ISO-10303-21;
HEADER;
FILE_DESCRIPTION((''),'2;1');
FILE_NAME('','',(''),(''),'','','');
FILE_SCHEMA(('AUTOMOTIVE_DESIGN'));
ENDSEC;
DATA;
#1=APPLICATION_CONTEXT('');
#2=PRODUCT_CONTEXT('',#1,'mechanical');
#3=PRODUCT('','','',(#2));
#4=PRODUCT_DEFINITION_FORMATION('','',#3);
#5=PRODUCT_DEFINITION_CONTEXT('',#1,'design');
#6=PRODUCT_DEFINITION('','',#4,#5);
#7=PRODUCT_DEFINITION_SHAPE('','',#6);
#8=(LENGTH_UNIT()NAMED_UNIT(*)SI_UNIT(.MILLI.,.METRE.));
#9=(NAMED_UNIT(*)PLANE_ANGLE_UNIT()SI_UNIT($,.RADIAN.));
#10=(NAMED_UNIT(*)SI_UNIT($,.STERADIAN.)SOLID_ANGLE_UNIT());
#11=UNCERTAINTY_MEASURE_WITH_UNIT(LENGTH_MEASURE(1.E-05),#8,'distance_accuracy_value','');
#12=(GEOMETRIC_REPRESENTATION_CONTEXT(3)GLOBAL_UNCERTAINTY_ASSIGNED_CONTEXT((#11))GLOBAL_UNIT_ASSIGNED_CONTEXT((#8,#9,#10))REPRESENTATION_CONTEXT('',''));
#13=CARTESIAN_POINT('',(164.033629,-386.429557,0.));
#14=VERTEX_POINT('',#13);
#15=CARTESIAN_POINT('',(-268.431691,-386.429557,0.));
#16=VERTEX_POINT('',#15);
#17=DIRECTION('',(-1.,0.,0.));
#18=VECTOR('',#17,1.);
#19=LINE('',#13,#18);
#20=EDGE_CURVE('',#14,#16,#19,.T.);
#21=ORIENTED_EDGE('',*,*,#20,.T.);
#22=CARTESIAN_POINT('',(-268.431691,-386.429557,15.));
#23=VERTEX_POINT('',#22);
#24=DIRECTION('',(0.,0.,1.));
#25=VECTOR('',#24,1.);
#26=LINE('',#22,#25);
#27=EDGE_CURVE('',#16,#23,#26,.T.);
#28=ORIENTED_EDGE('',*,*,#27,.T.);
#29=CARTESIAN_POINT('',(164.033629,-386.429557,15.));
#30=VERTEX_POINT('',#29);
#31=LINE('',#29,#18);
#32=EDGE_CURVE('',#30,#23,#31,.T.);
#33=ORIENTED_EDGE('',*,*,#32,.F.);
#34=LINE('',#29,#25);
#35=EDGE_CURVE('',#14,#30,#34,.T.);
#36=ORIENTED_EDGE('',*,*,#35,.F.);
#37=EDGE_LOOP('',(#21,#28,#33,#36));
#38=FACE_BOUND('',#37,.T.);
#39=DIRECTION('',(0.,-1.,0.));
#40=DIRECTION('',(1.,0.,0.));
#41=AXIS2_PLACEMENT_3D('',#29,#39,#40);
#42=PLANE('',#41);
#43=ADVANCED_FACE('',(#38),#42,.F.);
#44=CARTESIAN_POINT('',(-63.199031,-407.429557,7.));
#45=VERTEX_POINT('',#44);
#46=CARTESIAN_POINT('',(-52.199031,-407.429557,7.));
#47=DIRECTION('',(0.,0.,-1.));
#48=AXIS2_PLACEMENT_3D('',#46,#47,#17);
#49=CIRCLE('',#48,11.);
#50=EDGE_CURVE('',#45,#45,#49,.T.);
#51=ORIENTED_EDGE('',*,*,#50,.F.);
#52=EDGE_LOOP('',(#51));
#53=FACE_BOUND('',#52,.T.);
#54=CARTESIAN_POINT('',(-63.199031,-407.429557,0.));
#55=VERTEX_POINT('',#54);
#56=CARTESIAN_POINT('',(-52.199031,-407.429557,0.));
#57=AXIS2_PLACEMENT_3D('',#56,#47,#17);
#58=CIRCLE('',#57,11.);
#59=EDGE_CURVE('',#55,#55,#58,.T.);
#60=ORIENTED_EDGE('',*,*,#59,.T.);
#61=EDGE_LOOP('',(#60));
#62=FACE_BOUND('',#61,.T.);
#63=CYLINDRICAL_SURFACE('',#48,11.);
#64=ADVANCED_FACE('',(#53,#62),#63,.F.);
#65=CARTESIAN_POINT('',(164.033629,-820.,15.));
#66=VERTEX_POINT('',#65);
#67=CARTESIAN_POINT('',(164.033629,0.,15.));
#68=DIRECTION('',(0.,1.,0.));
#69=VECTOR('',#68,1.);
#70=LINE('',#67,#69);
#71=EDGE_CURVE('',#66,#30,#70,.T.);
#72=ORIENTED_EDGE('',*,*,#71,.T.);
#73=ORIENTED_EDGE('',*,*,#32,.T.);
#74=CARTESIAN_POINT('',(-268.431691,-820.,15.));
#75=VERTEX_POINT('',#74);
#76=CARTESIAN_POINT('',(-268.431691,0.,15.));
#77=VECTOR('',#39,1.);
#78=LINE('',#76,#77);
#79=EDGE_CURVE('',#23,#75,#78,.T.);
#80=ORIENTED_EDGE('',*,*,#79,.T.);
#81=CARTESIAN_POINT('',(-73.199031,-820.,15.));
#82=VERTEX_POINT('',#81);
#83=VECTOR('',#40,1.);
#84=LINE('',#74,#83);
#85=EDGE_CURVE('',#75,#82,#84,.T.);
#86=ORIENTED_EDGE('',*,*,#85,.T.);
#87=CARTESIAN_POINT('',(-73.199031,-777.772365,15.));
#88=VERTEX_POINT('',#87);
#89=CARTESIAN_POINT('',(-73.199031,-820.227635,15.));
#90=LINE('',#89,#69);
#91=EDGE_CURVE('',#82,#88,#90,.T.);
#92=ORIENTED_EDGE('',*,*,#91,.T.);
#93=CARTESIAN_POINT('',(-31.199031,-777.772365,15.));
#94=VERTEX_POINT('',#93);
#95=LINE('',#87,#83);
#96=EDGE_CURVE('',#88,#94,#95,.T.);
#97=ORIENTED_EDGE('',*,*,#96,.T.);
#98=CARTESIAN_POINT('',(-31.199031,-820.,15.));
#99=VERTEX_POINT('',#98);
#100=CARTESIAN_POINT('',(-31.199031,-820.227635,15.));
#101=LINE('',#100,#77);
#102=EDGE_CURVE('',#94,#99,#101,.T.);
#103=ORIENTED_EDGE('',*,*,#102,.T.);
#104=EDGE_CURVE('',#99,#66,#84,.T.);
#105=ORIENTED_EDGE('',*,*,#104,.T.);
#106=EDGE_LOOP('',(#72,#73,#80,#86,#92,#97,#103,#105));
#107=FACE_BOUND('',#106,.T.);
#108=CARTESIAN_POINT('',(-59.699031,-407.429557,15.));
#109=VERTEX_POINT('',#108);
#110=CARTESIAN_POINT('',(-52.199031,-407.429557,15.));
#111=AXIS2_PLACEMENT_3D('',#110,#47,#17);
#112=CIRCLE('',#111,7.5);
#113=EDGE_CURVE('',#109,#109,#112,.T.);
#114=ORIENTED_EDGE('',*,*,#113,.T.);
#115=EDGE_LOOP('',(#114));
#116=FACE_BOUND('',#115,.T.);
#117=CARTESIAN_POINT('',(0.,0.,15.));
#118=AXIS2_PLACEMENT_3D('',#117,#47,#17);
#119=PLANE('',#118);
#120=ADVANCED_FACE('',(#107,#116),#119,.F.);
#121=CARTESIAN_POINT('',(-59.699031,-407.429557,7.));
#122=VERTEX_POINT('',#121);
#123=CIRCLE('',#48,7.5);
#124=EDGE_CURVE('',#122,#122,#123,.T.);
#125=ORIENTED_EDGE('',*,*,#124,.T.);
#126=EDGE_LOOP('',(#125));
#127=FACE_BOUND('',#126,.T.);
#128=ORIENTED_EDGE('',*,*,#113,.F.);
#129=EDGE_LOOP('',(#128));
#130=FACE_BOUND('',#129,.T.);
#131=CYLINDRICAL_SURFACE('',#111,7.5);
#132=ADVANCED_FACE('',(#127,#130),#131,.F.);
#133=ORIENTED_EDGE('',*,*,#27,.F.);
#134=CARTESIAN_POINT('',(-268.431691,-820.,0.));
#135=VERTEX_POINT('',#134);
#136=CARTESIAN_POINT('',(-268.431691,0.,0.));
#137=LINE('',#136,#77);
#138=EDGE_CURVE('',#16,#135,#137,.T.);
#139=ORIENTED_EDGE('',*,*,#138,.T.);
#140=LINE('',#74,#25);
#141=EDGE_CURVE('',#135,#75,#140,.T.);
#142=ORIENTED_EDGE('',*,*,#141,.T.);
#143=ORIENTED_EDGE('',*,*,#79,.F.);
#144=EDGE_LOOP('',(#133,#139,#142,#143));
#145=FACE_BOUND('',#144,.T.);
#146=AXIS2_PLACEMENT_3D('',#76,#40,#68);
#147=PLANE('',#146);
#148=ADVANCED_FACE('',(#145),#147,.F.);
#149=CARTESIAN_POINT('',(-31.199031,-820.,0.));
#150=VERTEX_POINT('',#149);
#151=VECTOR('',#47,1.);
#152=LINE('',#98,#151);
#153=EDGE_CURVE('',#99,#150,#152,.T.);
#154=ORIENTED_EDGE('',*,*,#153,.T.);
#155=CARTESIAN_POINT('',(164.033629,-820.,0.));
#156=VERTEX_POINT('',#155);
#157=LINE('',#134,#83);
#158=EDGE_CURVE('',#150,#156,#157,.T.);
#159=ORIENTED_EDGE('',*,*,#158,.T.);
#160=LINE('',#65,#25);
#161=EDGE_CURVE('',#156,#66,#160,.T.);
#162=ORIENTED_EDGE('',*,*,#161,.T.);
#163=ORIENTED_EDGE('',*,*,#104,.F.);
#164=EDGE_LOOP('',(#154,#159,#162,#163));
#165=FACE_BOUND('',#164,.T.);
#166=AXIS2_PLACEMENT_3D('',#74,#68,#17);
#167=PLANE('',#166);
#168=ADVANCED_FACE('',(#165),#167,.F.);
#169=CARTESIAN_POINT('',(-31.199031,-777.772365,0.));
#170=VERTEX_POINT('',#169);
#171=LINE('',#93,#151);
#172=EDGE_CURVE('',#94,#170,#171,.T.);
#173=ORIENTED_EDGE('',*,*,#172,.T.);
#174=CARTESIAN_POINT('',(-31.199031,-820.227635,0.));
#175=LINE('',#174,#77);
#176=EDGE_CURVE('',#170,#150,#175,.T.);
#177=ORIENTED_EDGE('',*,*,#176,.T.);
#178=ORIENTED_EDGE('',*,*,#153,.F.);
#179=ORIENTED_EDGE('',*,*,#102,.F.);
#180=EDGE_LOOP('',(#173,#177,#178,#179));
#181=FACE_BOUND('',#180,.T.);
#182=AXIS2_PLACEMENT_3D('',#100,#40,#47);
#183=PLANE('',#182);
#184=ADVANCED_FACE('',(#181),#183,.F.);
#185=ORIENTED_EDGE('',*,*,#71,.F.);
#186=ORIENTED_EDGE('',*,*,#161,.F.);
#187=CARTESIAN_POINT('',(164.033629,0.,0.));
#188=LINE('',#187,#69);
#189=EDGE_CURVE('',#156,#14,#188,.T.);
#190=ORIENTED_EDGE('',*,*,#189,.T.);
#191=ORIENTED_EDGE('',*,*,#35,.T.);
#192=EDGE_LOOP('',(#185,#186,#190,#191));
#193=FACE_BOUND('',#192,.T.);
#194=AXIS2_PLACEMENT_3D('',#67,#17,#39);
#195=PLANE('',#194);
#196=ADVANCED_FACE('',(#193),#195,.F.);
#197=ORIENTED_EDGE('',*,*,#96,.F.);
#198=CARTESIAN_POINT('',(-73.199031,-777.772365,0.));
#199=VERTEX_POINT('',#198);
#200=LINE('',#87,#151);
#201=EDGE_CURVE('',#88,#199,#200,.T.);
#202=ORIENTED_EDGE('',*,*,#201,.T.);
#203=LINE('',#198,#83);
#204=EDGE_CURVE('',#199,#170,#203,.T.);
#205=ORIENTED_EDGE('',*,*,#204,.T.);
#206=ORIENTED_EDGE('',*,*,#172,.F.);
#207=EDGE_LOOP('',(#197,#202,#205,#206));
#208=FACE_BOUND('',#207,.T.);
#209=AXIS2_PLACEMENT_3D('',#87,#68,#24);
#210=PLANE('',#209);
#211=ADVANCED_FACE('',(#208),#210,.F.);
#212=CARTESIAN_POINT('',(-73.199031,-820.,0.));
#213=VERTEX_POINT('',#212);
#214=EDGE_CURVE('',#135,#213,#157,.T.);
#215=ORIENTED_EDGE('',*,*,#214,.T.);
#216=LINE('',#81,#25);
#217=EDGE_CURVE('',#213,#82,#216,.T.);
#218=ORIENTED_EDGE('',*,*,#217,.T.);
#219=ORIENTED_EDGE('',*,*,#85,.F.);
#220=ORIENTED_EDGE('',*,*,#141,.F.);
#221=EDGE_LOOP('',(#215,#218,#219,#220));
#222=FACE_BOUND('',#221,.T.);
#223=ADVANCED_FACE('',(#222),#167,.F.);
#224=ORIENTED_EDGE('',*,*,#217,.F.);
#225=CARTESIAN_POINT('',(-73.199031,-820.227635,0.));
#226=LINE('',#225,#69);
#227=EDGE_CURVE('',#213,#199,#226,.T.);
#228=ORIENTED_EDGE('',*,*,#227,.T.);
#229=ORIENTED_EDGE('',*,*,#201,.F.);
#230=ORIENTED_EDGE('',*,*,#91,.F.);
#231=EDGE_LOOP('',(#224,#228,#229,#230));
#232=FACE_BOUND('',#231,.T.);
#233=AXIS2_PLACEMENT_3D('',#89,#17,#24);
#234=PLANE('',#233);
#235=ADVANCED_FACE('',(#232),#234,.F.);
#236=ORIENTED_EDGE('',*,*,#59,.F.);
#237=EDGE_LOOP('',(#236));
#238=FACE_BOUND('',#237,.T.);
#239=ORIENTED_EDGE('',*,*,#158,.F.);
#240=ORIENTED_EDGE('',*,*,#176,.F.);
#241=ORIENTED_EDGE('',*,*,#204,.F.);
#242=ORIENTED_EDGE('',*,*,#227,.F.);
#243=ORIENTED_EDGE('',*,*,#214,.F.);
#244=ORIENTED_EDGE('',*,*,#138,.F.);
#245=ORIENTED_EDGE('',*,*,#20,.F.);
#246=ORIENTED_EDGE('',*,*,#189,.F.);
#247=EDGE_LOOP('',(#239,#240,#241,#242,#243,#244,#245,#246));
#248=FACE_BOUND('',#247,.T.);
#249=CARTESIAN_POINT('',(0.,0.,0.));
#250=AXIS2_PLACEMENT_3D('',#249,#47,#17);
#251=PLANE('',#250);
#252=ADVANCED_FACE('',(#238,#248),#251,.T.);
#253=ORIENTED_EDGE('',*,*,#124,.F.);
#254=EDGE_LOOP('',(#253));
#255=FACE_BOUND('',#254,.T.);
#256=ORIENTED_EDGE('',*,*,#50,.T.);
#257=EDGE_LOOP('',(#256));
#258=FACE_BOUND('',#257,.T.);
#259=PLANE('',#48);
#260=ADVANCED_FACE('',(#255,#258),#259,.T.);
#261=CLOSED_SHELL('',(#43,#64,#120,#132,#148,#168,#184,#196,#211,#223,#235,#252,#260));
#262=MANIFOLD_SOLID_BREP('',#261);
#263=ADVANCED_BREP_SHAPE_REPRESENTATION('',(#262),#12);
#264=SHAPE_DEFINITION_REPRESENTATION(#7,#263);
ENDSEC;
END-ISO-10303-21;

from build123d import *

# Parameters (mm, degrees)
ESQUISSE1_W             = 432.465319529
ESQUISSE1_H             = 1000
BOSS_EXTRU_1_DEPTH      = 15
ESQUISSE2_W             = 15
ESQUISSE2_H             = 180
ENL_V_MAT_EXTRU_1_DEPTH = 1090.610596771
ESQUISSE3_W             = 15
ESQUISSE3_H             = 386.42955672
ENL_V_MAT_EXTRU_2_DEPTH = 928.173798484
ESQUISSE4_W             = 42
ESQUISSE4_H             = 42.455270474
ENL_V_MAT_EXTRU_3_DEPTH = 863.948765929
ENL_V_MAT_EXTRU_4_DEPTH = 7
ESQUISSE6_R             = 7.5
ENL_V_MAT_EXTRU_5_DEPTH = 863.85547609


with BuildPart() as part:
    # Esquisse1 → Boss.-Extru.1 (new body)
    with BuildSketch(Plane.XY):
        with Locations((-52.199031023, -500)):
            Rectangle(ESQUISSE1_W, ESQUISSE1_H)
    extrude(amount=BOSS_EXTRU_1_DEPTH)

    # Esquisse2 → Enlèv. mat.-Extru.1 (cut, through all)
    with BuildSketch(Plane(origin=(164.033628742, 0, 0), x_dir=(0, 0, -1), z_dir=(1, 0, 0))):
        with Locations((-7.5, -910)):
            Rectangle(ESQUISSE2_W, ESQUISSE2_H)
    extrude(amount=-ENL_V_MAT_EXTRU_1_DEPTH, mode=Mode.SUBTRACT)

    # Esquisse3 → Enlèv. mat.-Extru.2 (cut, through all)
    with BuildSketch(Plane.ZY.offset(268.431690787)):
        with Locations((7.5, -193.21477836)):
            Rectangle(ESQUISSE3_W, ESQUISSE3_H)
    extrude(amount=-ENL_V_MAT_EXTRU_2_DEPTH, mode=Mode.SUBTRACT)

    # Esquisse4 → Enlèv. mat.-Extru.3 (cut, through all)
    with BuildSketch(Plane(origin=(0, 0, 0), x_dir=(-1, 0, 0), z_dir=(0, 0, -1))):
        with Locations((52.199031023, -799)):
            Rectangle(ESQUISSE4_W, ESQUISSE4_H)
    extrude(amount=-ENL_V_MAT_EXTRU_3_DEPTH, mode=Mode.SUBTRACT)

    # Esquisse5 → Enlèv. mat.-Extru.4 (cut)
    with BuildSketch(Plane(origin=(0, 0, 0), x_dir=(-1, 0, 0), z_dir=(0, 0, -1))):
        with BuildLine():
            ThreePointArc((52.199031023, -418.42955672), (63.199031023, -407.42955672), (52.199031023, -396.42955672))
            ThreePointArc((52.199031023, -396.42955672), (41.199031023, -407.42955672), (52.199031023, -418.42955672))
        make_face()
    extrude(amount=-ENL_V_MAT_EXTRU_4_DEPTH, mode=Mode.SUBTRACT)

    # Esquisse6 → Enlèv. mat.-Extru.5 (cut, through all)
    with BuildSketch(Plane(origin=(0, 0, 7), x_dir=(-1, 0, 0), z_dir=(0, 0, -1))):
        with Locations((52.199031023, -407.42955672)):
            Circle(ESQUISSE6_R)
    extrude(amount=-ENL_V_MAT_EXTRU_5_DEPTH, mode=Mode.SUBTRACT)


solid = part.part
